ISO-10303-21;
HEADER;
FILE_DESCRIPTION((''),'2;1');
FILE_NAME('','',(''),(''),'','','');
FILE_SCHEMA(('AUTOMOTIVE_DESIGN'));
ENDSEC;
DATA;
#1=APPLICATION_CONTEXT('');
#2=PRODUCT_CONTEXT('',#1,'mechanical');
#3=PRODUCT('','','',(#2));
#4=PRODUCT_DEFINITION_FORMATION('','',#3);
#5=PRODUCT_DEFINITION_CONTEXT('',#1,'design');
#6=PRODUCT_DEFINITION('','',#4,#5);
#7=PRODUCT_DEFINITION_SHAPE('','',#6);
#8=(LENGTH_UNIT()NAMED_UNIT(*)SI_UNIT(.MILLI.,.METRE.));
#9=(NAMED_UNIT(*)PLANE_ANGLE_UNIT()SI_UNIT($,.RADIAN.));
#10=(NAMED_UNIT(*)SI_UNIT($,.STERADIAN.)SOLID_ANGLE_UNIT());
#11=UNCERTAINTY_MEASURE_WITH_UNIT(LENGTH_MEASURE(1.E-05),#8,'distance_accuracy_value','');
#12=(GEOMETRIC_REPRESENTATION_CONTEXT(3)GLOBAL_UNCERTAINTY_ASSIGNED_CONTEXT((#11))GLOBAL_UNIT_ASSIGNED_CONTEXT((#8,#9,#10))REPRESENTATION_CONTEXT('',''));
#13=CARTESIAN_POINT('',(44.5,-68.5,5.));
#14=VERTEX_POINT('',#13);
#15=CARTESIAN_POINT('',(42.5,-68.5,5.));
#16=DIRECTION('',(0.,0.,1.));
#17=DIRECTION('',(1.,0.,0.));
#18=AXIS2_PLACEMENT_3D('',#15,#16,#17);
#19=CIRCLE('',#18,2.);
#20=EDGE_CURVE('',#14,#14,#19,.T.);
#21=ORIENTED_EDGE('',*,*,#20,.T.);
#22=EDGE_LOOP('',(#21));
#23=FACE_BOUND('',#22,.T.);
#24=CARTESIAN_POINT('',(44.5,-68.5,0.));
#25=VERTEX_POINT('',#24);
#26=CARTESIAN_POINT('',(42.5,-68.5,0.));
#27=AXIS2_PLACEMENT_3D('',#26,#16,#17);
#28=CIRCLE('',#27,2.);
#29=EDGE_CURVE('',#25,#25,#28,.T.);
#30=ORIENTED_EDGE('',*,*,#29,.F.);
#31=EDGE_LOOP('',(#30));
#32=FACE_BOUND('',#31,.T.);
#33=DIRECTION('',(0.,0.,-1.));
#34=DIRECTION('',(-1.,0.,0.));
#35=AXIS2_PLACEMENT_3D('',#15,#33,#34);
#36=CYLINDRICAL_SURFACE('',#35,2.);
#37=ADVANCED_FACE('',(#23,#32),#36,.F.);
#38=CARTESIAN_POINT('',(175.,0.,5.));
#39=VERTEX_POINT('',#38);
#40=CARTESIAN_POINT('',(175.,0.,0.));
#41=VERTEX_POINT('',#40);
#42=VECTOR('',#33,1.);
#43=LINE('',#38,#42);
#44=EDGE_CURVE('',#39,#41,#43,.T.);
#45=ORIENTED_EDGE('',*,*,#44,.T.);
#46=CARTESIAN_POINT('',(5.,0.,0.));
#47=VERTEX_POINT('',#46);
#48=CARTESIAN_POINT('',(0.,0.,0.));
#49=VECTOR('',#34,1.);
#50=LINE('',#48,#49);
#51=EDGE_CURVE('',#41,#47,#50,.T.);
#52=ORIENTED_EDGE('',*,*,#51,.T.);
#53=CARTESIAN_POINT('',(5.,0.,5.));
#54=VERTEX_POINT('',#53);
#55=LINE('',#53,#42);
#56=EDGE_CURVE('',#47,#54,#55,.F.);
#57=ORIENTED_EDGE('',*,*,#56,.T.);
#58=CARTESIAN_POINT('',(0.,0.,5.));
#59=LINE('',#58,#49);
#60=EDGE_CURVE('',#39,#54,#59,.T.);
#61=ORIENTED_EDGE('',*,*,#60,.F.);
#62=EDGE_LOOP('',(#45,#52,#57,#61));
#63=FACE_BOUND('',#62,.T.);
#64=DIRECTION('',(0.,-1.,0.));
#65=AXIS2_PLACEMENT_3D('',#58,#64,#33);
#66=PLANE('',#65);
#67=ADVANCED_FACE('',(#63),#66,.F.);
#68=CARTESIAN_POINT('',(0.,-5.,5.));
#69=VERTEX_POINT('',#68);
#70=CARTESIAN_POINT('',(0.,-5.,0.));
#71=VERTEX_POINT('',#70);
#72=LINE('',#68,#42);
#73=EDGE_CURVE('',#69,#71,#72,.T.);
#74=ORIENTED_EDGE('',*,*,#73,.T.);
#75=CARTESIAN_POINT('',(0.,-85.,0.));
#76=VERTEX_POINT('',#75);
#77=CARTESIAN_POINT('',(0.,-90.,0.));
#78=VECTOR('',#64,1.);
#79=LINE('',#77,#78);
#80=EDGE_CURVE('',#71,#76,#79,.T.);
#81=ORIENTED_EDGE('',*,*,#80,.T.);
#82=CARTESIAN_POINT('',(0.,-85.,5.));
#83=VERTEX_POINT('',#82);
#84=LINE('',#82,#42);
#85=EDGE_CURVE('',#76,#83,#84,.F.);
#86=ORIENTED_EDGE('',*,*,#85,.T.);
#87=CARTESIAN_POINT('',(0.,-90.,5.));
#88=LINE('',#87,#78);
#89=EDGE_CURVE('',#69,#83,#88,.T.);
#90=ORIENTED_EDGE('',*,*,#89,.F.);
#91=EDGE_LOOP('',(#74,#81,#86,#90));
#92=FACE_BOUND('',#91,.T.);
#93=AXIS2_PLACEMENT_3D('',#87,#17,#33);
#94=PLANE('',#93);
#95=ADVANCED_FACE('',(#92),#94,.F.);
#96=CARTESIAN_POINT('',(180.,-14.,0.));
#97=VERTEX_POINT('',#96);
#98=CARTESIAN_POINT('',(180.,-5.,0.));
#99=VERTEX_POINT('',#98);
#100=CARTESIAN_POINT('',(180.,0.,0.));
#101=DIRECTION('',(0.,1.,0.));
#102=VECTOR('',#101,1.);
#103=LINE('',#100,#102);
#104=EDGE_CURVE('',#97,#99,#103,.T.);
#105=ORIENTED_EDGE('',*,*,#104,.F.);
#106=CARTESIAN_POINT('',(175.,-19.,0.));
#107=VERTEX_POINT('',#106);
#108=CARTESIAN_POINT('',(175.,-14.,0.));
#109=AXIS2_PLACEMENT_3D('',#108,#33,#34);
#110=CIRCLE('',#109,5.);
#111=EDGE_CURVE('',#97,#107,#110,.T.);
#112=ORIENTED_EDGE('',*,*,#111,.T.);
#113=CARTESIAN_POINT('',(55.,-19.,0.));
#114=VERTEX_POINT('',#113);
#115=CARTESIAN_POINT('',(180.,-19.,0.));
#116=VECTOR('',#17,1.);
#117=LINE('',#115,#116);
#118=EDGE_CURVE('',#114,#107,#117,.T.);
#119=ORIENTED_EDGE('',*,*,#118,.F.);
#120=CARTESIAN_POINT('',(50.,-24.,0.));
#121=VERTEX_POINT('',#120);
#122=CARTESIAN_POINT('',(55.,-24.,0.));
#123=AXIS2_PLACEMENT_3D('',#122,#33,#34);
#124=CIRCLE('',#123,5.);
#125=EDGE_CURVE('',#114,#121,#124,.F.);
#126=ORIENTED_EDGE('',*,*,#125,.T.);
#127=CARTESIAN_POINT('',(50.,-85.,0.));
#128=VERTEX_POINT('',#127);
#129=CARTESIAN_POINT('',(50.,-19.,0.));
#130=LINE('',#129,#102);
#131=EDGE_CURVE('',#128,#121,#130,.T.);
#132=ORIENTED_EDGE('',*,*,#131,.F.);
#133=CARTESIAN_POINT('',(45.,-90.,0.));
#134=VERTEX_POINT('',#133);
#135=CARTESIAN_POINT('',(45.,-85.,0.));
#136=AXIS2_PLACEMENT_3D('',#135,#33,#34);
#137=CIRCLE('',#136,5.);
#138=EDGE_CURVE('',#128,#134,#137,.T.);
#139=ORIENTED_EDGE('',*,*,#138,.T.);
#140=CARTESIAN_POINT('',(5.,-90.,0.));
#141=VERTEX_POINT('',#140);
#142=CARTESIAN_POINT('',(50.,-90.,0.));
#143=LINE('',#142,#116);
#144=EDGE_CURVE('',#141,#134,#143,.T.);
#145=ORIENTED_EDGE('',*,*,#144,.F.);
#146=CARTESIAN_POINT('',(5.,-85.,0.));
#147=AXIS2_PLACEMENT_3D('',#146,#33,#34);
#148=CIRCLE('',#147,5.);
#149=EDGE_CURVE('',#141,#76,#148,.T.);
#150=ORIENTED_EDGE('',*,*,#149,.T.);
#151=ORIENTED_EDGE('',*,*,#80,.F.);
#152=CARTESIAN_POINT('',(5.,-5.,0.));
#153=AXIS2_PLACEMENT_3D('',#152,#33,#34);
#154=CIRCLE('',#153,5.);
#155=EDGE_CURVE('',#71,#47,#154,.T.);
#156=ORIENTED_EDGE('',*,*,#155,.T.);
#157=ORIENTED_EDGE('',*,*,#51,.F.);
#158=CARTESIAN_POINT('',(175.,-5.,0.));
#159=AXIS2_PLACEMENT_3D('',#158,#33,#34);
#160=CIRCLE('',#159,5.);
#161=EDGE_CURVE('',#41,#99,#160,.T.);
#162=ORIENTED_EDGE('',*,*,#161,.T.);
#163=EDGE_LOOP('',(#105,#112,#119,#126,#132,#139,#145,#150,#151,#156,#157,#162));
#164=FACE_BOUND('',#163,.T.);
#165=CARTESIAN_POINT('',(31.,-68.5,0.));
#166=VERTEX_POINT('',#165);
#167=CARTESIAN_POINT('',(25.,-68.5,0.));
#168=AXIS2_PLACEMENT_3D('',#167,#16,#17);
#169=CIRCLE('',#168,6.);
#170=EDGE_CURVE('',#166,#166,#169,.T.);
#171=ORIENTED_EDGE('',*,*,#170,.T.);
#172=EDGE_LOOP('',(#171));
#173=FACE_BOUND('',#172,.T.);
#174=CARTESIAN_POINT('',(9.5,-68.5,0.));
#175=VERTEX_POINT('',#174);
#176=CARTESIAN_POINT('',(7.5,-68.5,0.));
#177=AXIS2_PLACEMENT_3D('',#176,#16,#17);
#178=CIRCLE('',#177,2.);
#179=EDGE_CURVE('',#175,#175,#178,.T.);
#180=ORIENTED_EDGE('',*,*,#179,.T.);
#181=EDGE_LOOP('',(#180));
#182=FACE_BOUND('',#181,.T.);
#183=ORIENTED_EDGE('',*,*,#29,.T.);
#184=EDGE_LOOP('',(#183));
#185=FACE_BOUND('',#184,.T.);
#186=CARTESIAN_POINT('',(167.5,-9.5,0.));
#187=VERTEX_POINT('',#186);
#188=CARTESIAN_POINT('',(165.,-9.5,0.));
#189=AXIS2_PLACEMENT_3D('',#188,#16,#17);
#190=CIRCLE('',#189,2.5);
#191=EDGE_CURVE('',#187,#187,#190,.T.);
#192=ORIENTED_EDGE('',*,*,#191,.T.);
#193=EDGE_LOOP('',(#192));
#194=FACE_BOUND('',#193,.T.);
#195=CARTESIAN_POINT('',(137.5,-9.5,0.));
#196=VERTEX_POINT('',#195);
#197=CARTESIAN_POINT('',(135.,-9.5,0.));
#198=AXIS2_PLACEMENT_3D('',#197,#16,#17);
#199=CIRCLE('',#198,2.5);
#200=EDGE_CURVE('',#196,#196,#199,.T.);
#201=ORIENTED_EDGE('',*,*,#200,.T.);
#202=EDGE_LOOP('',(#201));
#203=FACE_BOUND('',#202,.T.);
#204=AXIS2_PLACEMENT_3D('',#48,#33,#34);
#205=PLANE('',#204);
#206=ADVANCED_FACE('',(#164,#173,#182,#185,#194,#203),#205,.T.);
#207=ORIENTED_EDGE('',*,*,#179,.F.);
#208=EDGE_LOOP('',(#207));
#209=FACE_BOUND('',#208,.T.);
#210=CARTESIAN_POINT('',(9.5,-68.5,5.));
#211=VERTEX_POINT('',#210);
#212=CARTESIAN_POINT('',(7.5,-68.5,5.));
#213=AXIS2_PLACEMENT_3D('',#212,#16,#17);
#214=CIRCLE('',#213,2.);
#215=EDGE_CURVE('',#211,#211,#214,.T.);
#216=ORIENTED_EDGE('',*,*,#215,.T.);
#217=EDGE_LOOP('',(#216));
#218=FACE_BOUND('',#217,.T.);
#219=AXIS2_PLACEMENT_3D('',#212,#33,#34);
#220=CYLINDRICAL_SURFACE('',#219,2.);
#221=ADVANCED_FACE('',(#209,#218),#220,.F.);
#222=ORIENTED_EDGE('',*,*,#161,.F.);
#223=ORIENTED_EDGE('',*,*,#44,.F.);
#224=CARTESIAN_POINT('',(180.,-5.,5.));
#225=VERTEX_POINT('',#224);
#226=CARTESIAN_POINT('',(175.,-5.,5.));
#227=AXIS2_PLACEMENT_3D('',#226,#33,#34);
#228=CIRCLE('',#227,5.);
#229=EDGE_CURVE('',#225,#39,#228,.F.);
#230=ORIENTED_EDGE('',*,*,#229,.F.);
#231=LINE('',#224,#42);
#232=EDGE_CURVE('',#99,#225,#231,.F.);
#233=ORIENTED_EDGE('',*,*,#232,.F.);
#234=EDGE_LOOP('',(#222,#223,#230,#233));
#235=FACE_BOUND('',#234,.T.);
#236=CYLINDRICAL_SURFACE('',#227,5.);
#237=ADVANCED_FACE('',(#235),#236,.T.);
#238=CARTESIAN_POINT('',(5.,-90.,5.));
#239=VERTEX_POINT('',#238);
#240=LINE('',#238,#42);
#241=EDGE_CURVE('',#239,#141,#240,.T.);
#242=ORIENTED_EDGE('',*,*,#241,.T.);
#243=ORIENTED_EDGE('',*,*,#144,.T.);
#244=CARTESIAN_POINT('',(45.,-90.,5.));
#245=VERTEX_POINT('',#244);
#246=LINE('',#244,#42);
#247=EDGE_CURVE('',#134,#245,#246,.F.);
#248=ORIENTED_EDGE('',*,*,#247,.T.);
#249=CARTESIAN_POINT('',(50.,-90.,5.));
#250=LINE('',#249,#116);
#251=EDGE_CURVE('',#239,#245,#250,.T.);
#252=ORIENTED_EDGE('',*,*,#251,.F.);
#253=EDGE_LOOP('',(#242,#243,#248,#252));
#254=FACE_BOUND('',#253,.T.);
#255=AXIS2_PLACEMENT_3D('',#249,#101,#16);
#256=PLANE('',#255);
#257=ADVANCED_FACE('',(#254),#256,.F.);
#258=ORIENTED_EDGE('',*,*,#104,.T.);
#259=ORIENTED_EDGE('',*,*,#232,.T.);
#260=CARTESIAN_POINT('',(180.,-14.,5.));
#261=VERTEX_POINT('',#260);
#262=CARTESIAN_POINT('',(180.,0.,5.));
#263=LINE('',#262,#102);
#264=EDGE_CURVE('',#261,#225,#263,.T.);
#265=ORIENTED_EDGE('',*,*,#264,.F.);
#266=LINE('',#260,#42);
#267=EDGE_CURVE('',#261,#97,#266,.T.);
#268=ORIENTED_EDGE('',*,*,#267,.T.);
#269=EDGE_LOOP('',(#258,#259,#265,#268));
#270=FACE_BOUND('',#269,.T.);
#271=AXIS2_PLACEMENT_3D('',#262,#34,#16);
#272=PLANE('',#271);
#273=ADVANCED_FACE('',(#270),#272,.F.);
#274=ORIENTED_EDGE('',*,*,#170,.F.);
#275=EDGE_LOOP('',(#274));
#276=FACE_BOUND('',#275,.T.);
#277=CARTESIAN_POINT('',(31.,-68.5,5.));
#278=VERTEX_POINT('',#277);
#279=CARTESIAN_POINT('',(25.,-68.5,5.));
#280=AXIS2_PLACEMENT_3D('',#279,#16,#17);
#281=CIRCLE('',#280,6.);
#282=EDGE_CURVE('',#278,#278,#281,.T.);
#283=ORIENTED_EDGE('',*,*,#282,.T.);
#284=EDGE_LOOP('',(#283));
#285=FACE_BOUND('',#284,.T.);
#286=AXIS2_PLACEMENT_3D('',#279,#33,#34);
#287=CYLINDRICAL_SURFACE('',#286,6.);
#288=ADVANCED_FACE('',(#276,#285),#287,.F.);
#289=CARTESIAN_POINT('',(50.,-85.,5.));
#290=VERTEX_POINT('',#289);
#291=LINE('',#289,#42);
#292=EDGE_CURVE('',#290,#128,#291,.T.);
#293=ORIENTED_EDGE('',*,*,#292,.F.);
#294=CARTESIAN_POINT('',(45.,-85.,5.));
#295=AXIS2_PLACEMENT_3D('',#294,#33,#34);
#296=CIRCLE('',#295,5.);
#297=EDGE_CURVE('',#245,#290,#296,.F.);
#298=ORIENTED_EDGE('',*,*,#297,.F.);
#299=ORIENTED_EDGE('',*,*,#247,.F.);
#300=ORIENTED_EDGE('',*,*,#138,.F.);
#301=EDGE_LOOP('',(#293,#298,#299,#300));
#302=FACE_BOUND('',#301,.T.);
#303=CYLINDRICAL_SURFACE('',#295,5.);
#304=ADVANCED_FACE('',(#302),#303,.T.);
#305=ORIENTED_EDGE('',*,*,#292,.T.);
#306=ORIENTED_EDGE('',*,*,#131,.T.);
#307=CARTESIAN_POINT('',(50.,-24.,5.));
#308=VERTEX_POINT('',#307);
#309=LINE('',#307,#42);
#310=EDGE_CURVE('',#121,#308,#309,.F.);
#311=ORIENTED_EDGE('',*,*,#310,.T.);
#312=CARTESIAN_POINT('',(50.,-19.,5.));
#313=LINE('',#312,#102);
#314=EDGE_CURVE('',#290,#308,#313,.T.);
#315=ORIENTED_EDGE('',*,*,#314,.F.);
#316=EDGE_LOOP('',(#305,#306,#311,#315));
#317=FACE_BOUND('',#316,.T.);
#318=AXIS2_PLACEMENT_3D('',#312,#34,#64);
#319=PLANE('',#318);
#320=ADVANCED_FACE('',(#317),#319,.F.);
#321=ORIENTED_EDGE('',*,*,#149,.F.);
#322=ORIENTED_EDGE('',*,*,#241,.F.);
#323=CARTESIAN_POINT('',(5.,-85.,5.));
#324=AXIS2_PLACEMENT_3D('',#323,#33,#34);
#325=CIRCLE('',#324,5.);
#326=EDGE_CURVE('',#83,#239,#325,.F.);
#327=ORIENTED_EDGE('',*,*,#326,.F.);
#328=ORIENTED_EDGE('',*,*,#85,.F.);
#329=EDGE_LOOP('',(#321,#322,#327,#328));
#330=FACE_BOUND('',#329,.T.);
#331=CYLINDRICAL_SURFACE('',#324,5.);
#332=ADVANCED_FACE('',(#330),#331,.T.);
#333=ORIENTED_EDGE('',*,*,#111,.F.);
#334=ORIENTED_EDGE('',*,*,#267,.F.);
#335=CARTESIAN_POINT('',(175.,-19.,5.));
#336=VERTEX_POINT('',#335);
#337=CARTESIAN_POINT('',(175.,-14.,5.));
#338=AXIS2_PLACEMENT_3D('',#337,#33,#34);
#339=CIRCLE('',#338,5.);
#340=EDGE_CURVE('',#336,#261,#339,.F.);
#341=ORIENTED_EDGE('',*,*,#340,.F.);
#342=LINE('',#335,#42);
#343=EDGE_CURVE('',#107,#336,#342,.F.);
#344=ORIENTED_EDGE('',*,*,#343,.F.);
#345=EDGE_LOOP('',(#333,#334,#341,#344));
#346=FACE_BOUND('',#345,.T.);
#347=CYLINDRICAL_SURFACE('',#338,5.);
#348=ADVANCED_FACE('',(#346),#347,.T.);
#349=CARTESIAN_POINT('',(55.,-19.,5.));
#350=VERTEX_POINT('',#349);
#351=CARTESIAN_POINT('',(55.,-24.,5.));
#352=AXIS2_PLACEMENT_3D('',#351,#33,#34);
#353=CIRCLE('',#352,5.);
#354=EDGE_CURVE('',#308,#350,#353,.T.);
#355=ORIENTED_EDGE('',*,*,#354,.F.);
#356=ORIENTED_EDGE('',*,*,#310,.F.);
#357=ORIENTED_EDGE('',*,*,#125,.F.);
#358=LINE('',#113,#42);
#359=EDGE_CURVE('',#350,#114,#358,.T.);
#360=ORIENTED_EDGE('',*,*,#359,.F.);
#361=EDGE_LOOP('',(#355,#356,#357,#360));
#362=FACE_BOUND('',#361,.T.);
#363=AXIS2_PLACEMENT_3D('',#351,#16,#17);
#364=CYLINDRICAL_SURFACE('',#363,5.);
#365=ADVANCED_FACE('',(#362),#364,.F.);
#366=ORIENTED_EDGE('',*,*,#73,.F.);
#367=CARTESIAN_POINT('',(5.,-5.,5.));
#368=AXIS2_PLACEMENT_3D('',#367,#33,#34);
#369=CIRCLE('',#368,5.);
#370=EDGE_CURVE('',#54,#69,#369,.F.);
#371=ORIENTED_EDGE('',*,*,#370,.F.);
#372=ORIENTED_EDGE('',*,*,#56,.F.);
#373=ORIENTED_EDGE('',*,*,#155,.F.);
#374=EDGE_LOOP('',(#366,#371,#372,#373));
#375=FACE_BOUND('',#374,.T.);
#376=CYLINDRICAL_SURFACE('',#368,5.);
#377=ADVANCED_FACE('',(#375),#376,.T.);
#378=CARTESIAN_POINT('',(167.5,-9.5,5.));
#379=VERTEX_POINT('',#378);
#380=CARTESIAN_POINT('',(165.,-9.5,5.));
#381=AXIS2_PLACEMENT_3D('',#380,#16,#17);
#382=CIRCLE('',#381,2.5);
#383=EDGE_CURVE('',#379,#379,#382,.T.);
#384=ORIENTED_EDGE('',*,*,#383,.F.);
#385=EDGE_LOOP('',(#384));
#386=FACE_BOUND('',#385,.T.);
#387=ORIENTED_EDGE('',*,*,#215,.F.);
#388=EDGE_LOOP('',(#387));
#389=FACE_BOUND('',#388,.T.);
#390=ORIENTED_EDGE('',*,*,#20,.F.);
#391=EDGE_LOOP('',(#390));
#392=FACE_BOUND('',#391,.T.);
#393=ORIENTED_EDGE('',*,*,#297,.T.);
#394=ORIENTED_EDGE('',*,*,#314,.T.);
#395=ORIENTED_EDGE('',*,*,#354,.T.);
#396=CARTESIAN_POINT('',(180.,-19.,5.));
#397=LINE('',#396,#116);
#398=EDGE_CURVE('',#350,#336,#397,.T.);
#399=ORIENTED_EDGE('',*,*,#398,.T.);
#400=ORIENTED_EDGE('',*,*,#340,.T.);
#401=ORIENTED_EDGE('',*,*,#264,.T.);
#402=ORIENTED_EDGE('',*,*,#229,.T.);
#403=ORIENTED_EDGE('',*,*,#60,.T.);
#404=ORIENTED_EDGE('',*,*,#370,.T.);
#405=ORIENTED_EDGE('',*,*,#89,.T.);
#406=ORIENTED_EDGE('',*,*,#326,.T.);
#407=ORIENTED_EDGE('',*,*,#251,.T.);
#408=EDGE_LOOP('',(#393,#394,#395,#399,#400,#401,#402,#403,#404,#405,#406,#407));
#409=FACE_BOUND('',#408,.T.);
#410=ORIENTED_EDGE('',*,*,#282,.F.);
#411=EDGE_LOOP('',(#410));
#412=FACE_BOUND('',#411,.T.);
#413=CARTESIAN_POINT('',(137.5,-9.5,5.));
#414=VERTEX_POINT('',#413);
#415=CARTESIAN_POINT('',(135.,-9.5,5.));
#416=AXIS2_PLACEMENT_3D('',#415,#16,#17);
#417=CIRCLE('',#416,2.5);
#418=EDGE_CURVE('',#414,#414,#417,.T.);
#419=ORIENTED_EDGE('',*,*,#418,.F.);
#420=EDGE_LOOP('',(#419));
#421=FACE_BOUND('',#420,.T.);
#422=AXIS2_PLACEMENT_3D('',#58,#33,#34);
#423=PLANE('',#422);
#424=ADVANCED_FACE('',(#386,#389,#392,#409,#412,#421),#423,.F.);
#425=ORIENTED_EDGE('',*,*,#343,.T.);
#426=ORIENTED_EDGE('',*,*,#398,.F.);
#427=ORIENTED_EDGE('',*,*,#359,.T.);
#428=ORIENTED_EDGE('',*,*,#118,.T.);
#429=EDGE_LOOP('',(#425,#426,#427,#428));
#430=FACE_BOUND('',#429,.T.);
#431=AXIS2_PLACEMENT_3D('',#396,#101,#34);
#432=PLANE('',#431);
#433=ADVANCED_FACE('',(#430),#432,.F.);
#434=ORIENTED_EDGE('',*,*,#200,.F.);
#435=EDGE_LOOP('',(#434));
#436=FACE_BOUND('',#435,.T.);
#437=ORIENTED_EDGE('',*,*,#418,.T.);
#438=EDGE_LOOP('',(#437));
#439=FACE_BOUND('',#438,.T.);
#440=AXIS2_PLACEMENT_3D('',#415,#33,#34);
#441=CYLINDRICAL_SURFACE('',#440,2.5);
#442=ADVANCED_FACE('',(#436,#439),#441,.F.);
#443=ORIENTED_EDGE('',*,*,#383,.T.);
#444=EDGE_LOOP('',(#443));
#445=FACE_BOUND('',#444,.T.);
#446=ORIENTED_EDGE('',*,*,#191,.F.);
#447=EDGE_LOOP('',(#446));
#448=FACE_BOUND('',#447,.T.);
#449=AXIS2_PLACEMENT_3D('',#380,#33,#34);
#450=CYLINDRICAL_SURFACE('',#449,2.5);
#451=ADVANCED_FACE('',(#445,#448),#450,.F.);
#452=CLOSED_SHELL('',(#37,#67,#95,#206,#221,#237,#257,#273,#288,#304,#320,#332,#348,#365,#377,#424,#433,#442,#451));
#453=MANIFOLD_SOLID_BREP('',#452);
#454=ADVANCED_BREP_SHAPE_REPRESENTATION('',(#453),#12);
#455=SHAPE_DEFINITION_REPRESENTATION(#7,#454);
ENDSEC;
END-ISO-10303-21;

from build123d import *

# Parameters (mm, degrees)
SKETCH1_R           = 2.5
SKETCH1_R_2         = 6
SKETCH1_R_3         = 2
BOSS_EXTRUDE1_DEPTH = 5
FILLET1_R           = 5


with BuildPart() as part:
    # Sketch1 → Boss-Extrude1 (new body)
    with BuildSketch(Plane.XY):
        Polygon((0, 0), (180, 0), (180, -19), (50, -19), (50, -90), (0, -90), align=None)
        with Locations((135, -9.5)):
            Circle(SKETCH1_R, mode=Mode.SUBTRACT)
        with Locations((165, -9.5)):
            Circle(SKETCH1_R, mode=Mode.SUBTRACT)
        with Locations((25, -68.5)):
            Circle(SKETCH1_R_2, mode=Mode.SUBTRACT)
        with Locations((7.5, -68.5)):
            Circle(SKETCH1_R_3, mode=Mode.SUBTRACT)
        with Locations((42.5, -68.5)):
            Circle(SKETCH1_R_3, mode=Mode.SUBTRACT)
    extrude(amount=BOSS_EXTRUDE1_DEPTH)

    # Fillet1
    fillet1_edges = [part.edges().sort_by_distance(p)[0] for p in [
        (0, 0, 2.5),
        (180, 0, 2.5),
        (180, -19, 2.5),
        (50, -19, 2.5),
        (50, -90, 2.5),
        (0, -90, 2.5),
    ]]
    fillet(fillet1_edges, radius=FILLET1_R)


solid = part.part
